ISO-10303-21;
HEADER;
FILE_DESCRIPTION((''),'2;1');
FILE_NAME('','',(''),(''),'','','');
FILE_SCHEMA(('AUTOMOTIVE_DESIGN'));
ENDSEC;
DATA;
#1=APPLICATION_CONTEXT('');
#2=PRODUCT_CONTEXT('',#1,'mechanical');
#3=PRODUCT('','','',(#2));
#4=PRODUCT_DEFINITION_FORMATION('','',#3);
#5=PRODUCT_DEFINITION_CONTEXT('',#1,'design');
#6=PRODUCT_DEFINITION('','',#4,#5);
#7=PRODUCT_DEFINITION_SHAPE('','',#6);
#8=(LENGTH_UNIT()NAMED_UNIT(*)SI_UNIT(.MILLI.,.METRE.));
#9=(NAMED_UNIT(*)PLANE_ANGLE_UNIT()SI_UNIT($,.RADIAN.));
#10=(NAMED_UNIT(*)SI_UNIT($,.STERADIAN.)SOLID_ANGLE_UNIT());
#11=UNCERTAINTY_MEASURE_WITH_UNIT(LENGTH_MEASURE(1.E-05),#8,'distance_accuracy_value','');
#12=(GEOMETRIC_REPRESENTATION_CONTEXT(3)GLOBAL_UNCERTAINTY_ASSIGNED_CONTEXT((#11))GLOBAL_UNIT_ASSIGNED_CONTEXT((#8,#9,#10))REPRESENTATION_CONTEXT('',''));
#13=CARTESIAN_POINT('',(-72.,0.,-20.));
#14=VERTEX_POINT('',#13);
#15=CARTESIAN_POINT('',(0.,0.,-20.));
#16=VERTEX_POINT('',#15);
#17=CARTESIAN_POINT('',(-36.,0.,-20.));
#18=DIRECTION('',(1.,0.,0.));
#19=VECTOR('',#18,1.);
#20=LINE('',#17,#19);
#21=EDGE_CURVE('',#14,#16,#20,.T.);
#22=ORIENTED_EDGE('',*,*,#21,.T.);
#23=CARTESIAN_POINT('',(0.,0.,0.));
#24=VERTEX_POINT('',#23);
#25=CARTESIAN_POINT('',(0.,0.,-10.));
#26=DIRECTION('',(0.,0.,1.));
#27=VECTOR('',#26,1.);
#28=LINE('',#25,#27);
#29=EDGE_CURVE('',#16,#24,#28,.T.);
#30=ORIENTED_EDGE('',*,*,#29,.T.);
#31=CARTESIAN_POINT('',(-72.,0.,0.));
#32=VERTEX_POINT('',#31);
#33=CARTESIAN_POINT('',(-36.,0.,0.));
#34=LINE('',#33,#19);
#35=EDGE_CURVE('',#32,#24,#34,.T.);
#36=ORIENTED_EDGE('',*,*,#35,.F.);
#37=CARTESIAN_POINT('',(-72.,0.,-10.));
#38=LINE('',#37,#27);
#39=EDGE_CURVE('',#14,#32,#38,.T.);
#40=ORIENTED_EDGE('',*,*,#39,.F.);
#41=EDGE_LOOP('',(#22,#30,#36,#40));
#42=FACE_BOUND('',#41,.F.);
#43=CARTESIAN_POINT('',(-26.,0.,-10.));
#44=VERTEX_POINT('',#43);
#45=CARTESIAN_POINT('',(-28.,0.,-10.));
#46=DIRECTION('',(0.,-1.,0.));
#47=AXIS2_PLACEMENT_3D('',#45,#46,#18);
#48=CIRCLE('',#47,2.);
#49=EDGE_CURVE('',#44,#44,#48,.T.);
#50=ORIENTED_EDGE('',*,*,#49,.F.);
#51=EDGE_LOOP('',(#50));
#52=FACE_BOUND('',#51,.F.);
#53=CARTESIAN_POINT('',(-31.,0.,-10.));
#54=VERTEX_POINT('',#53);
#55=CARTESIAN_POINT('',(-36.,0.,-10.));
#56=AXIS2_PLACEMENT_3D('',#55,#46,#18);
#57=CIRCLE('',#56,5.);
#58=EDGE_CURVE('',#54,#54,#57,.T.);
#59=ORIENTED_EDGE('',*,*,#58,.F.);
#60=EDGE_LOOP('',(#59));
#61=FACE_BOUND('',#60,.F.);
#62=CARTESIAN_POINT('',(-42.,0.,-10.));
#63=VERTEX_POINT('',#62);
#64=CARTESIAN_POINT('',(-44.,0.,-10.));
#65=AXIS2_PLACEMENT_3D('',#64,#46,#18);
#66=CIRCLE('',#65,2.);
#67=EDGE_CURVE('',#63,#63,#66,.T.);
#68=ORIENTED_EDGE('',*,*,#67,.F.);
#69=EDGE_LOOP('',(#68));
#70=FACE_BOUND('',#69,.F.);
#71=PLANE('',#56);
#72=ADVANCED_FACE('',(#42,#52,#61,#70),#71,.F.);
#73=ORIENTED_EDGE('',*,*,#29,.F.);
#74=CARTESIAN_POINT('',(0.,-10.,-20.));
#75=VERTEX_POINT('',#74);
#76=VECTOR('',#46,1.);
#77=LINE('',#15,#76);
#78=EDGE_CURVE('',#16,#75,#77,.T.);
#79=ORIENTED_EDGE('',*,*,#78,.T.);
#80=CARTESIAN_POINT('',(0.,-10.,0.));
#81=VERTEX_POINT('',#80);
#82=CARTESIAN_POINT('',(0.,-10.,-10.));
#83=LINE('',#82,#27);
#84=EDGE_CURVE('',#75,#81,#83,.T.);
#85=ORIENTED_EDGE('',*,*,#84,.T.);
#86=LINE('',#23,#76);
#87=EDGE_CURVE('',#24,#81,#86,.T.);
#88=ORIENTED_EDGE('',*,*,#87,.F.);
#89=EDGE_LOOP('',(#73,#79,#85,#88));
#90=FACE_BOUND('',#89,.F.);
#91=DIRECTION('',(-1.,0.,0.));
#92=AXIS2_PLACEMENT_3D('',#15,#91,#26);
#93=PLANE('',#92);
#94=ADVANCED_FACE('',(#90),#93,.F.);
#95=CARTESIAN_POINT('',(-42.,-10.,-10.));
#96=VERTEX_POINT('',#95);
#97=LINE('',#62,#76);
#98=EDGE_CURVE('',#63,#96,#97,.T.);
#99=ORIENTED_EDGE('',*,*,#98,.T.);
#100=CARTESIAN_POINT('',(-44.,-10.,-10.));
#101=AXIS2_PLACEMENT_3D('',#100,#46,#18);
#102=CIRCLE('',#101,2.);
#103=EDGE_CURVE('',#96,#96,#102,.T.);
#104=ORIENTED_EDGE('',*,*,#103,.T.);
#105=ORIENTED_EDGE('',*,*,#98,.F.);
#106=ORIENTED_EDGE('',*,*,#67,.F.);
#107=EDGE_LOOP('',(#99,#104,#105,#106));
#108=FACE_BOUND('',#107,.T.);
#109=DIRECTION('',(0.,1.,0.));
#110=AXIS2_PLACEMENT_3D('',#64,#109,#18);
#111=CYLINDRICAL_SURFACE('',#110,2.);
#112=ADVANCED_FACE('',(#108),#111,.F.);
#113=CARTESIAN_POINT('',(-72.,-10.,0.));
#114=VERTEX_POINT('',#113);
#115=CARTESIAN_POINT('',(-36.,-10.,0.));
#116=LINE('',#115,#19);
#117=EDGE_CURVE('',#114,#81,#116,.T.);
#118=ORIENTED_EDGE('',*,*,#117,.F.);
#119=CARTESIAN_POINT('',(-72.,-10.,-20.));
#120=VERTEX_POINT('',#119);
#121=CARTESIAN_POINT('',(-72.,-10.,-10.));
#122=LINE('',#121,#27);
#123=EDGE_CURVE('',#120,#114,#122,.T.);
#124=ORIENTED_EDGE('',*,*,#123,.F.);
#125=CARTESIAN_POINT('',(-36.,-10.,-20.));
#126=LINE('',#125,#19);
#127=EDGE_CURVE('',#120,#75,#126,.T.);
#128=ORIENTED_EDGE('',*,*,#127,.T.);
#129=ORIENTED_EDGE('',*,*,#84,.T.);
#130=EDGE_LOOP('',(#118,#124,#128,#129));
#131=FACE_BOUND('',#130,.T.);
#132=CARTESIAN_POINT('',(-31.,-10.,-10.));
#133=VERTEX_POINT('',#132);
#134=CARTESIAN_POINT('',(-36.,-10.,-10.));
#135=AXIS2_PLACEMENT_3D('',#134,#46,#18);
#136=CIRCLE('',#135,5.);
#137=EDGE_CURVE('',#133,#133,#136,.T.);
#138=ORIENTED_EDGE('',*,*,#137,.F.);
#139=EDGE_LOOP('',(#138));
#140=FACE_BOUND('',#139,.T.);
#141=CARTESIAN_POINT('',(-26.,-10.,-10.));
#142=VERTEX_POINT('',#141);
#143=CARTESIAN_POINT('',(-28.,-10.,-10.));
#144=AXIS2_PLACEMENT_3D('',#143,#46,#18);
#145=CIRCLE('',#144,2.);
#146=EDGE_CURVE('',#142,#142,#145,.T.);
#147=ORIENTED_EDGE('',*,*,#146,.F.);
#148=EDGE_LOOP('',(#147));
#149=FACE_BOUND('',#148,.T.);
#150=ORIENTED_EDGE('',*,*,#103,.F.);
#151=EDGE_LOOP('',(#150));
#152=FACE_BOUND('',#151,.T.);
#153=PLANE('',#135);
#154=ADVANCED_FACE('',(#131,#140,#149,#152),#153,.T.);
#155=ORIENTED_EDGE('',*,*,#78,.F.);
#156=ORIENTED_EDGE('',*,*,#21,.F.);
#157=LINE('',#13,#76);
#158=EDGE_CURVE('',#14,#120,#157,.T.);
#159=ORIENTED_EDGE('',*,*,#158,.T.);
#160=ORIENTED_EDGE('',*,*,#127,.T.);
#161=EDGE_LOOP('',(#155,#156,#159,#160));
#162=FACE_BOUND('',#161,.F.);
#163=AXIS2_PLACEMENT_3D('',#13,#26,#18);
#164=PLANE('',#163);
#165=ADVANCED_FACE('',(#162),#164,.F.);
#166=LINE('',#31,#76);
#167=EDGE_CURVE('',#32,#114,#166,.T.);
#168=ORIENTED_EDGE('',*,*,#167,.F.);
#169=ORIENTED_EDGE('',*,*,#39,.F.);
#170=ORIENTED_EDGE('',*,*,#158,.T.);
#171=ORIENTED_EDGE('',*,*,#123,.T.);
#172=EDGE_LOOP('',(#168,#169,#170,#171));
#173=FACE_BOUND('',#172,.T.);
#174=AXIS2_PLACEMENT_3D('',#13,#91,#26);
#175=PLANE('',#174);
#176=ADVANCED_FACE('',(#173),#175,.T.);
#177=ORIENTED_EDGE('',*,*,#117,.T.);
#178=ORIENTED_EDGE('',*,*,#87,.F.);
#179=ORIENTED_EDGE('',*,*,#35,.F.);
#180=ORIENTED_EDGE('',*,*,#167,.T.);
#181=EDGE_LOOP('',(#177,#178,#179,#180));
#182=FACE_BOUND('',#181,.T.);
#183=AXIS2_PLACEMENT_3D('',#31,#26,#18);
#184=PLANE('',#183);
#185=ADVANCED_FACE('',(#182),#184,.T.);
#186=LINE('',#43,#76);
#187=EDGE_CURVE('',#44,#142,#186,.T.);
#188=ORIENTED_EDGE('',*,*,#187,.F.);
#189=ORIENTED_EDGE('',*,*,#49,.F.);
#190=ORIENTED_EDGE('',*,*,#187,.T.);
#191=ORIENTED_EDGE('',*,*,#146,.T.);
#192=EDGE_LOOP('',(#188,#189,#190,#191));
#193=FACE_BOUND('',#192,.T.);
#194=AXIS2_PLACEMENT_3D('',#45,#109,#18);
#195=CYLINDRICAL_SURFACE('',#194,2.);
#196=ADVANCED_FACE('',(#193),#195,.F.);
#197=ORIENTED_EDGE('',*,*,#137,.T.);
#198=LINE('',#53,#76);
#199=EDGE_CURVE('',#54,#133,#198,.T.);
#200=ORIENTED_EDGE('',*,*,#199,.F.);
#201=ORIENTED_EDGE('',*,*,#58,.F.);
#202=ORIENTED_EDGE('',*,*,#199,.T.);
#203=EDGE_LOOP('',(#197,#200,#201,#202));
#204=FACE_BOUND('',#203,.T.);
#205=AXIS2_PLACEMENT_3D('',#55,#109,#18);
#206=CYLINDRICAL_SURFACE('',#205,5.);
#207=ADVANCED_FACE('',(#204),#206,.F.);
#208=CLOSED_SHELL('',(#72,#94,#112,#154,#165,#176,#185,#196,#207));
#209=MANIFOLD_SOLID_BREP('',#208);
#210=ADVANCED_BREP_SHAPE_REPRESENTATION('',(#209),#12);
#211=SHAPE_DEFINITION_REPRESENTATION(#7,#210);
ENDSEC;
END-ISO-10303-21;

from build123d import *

# Parameters (mm, degrees)
F0_W     = 72
F0_H     = 20
F0_R     = 2
F0_R_2   = 5
F1_DEPTH = 10


with BuildPart() as f1:
    # F0 (on Front) → F1 (new body)
    with BuildSketch(Plane.XZ):
        with Locations((-36, -10)):
            Rectangle(F0_W, F0_H)
        with Locations((-44, -10)):
            Circle(F0_R, mode=Mode.SUBTRACT)
        with Locations((-36, -10)):
            Circle(F0_R_2, mode=Mode.SUBTRACT)
        with Locations((-28, -10)):
            Circle(F0_R, mode=Mode.SUBTRACT)
    extrude(amount=F1_DEPTH)


solid = f1.part
